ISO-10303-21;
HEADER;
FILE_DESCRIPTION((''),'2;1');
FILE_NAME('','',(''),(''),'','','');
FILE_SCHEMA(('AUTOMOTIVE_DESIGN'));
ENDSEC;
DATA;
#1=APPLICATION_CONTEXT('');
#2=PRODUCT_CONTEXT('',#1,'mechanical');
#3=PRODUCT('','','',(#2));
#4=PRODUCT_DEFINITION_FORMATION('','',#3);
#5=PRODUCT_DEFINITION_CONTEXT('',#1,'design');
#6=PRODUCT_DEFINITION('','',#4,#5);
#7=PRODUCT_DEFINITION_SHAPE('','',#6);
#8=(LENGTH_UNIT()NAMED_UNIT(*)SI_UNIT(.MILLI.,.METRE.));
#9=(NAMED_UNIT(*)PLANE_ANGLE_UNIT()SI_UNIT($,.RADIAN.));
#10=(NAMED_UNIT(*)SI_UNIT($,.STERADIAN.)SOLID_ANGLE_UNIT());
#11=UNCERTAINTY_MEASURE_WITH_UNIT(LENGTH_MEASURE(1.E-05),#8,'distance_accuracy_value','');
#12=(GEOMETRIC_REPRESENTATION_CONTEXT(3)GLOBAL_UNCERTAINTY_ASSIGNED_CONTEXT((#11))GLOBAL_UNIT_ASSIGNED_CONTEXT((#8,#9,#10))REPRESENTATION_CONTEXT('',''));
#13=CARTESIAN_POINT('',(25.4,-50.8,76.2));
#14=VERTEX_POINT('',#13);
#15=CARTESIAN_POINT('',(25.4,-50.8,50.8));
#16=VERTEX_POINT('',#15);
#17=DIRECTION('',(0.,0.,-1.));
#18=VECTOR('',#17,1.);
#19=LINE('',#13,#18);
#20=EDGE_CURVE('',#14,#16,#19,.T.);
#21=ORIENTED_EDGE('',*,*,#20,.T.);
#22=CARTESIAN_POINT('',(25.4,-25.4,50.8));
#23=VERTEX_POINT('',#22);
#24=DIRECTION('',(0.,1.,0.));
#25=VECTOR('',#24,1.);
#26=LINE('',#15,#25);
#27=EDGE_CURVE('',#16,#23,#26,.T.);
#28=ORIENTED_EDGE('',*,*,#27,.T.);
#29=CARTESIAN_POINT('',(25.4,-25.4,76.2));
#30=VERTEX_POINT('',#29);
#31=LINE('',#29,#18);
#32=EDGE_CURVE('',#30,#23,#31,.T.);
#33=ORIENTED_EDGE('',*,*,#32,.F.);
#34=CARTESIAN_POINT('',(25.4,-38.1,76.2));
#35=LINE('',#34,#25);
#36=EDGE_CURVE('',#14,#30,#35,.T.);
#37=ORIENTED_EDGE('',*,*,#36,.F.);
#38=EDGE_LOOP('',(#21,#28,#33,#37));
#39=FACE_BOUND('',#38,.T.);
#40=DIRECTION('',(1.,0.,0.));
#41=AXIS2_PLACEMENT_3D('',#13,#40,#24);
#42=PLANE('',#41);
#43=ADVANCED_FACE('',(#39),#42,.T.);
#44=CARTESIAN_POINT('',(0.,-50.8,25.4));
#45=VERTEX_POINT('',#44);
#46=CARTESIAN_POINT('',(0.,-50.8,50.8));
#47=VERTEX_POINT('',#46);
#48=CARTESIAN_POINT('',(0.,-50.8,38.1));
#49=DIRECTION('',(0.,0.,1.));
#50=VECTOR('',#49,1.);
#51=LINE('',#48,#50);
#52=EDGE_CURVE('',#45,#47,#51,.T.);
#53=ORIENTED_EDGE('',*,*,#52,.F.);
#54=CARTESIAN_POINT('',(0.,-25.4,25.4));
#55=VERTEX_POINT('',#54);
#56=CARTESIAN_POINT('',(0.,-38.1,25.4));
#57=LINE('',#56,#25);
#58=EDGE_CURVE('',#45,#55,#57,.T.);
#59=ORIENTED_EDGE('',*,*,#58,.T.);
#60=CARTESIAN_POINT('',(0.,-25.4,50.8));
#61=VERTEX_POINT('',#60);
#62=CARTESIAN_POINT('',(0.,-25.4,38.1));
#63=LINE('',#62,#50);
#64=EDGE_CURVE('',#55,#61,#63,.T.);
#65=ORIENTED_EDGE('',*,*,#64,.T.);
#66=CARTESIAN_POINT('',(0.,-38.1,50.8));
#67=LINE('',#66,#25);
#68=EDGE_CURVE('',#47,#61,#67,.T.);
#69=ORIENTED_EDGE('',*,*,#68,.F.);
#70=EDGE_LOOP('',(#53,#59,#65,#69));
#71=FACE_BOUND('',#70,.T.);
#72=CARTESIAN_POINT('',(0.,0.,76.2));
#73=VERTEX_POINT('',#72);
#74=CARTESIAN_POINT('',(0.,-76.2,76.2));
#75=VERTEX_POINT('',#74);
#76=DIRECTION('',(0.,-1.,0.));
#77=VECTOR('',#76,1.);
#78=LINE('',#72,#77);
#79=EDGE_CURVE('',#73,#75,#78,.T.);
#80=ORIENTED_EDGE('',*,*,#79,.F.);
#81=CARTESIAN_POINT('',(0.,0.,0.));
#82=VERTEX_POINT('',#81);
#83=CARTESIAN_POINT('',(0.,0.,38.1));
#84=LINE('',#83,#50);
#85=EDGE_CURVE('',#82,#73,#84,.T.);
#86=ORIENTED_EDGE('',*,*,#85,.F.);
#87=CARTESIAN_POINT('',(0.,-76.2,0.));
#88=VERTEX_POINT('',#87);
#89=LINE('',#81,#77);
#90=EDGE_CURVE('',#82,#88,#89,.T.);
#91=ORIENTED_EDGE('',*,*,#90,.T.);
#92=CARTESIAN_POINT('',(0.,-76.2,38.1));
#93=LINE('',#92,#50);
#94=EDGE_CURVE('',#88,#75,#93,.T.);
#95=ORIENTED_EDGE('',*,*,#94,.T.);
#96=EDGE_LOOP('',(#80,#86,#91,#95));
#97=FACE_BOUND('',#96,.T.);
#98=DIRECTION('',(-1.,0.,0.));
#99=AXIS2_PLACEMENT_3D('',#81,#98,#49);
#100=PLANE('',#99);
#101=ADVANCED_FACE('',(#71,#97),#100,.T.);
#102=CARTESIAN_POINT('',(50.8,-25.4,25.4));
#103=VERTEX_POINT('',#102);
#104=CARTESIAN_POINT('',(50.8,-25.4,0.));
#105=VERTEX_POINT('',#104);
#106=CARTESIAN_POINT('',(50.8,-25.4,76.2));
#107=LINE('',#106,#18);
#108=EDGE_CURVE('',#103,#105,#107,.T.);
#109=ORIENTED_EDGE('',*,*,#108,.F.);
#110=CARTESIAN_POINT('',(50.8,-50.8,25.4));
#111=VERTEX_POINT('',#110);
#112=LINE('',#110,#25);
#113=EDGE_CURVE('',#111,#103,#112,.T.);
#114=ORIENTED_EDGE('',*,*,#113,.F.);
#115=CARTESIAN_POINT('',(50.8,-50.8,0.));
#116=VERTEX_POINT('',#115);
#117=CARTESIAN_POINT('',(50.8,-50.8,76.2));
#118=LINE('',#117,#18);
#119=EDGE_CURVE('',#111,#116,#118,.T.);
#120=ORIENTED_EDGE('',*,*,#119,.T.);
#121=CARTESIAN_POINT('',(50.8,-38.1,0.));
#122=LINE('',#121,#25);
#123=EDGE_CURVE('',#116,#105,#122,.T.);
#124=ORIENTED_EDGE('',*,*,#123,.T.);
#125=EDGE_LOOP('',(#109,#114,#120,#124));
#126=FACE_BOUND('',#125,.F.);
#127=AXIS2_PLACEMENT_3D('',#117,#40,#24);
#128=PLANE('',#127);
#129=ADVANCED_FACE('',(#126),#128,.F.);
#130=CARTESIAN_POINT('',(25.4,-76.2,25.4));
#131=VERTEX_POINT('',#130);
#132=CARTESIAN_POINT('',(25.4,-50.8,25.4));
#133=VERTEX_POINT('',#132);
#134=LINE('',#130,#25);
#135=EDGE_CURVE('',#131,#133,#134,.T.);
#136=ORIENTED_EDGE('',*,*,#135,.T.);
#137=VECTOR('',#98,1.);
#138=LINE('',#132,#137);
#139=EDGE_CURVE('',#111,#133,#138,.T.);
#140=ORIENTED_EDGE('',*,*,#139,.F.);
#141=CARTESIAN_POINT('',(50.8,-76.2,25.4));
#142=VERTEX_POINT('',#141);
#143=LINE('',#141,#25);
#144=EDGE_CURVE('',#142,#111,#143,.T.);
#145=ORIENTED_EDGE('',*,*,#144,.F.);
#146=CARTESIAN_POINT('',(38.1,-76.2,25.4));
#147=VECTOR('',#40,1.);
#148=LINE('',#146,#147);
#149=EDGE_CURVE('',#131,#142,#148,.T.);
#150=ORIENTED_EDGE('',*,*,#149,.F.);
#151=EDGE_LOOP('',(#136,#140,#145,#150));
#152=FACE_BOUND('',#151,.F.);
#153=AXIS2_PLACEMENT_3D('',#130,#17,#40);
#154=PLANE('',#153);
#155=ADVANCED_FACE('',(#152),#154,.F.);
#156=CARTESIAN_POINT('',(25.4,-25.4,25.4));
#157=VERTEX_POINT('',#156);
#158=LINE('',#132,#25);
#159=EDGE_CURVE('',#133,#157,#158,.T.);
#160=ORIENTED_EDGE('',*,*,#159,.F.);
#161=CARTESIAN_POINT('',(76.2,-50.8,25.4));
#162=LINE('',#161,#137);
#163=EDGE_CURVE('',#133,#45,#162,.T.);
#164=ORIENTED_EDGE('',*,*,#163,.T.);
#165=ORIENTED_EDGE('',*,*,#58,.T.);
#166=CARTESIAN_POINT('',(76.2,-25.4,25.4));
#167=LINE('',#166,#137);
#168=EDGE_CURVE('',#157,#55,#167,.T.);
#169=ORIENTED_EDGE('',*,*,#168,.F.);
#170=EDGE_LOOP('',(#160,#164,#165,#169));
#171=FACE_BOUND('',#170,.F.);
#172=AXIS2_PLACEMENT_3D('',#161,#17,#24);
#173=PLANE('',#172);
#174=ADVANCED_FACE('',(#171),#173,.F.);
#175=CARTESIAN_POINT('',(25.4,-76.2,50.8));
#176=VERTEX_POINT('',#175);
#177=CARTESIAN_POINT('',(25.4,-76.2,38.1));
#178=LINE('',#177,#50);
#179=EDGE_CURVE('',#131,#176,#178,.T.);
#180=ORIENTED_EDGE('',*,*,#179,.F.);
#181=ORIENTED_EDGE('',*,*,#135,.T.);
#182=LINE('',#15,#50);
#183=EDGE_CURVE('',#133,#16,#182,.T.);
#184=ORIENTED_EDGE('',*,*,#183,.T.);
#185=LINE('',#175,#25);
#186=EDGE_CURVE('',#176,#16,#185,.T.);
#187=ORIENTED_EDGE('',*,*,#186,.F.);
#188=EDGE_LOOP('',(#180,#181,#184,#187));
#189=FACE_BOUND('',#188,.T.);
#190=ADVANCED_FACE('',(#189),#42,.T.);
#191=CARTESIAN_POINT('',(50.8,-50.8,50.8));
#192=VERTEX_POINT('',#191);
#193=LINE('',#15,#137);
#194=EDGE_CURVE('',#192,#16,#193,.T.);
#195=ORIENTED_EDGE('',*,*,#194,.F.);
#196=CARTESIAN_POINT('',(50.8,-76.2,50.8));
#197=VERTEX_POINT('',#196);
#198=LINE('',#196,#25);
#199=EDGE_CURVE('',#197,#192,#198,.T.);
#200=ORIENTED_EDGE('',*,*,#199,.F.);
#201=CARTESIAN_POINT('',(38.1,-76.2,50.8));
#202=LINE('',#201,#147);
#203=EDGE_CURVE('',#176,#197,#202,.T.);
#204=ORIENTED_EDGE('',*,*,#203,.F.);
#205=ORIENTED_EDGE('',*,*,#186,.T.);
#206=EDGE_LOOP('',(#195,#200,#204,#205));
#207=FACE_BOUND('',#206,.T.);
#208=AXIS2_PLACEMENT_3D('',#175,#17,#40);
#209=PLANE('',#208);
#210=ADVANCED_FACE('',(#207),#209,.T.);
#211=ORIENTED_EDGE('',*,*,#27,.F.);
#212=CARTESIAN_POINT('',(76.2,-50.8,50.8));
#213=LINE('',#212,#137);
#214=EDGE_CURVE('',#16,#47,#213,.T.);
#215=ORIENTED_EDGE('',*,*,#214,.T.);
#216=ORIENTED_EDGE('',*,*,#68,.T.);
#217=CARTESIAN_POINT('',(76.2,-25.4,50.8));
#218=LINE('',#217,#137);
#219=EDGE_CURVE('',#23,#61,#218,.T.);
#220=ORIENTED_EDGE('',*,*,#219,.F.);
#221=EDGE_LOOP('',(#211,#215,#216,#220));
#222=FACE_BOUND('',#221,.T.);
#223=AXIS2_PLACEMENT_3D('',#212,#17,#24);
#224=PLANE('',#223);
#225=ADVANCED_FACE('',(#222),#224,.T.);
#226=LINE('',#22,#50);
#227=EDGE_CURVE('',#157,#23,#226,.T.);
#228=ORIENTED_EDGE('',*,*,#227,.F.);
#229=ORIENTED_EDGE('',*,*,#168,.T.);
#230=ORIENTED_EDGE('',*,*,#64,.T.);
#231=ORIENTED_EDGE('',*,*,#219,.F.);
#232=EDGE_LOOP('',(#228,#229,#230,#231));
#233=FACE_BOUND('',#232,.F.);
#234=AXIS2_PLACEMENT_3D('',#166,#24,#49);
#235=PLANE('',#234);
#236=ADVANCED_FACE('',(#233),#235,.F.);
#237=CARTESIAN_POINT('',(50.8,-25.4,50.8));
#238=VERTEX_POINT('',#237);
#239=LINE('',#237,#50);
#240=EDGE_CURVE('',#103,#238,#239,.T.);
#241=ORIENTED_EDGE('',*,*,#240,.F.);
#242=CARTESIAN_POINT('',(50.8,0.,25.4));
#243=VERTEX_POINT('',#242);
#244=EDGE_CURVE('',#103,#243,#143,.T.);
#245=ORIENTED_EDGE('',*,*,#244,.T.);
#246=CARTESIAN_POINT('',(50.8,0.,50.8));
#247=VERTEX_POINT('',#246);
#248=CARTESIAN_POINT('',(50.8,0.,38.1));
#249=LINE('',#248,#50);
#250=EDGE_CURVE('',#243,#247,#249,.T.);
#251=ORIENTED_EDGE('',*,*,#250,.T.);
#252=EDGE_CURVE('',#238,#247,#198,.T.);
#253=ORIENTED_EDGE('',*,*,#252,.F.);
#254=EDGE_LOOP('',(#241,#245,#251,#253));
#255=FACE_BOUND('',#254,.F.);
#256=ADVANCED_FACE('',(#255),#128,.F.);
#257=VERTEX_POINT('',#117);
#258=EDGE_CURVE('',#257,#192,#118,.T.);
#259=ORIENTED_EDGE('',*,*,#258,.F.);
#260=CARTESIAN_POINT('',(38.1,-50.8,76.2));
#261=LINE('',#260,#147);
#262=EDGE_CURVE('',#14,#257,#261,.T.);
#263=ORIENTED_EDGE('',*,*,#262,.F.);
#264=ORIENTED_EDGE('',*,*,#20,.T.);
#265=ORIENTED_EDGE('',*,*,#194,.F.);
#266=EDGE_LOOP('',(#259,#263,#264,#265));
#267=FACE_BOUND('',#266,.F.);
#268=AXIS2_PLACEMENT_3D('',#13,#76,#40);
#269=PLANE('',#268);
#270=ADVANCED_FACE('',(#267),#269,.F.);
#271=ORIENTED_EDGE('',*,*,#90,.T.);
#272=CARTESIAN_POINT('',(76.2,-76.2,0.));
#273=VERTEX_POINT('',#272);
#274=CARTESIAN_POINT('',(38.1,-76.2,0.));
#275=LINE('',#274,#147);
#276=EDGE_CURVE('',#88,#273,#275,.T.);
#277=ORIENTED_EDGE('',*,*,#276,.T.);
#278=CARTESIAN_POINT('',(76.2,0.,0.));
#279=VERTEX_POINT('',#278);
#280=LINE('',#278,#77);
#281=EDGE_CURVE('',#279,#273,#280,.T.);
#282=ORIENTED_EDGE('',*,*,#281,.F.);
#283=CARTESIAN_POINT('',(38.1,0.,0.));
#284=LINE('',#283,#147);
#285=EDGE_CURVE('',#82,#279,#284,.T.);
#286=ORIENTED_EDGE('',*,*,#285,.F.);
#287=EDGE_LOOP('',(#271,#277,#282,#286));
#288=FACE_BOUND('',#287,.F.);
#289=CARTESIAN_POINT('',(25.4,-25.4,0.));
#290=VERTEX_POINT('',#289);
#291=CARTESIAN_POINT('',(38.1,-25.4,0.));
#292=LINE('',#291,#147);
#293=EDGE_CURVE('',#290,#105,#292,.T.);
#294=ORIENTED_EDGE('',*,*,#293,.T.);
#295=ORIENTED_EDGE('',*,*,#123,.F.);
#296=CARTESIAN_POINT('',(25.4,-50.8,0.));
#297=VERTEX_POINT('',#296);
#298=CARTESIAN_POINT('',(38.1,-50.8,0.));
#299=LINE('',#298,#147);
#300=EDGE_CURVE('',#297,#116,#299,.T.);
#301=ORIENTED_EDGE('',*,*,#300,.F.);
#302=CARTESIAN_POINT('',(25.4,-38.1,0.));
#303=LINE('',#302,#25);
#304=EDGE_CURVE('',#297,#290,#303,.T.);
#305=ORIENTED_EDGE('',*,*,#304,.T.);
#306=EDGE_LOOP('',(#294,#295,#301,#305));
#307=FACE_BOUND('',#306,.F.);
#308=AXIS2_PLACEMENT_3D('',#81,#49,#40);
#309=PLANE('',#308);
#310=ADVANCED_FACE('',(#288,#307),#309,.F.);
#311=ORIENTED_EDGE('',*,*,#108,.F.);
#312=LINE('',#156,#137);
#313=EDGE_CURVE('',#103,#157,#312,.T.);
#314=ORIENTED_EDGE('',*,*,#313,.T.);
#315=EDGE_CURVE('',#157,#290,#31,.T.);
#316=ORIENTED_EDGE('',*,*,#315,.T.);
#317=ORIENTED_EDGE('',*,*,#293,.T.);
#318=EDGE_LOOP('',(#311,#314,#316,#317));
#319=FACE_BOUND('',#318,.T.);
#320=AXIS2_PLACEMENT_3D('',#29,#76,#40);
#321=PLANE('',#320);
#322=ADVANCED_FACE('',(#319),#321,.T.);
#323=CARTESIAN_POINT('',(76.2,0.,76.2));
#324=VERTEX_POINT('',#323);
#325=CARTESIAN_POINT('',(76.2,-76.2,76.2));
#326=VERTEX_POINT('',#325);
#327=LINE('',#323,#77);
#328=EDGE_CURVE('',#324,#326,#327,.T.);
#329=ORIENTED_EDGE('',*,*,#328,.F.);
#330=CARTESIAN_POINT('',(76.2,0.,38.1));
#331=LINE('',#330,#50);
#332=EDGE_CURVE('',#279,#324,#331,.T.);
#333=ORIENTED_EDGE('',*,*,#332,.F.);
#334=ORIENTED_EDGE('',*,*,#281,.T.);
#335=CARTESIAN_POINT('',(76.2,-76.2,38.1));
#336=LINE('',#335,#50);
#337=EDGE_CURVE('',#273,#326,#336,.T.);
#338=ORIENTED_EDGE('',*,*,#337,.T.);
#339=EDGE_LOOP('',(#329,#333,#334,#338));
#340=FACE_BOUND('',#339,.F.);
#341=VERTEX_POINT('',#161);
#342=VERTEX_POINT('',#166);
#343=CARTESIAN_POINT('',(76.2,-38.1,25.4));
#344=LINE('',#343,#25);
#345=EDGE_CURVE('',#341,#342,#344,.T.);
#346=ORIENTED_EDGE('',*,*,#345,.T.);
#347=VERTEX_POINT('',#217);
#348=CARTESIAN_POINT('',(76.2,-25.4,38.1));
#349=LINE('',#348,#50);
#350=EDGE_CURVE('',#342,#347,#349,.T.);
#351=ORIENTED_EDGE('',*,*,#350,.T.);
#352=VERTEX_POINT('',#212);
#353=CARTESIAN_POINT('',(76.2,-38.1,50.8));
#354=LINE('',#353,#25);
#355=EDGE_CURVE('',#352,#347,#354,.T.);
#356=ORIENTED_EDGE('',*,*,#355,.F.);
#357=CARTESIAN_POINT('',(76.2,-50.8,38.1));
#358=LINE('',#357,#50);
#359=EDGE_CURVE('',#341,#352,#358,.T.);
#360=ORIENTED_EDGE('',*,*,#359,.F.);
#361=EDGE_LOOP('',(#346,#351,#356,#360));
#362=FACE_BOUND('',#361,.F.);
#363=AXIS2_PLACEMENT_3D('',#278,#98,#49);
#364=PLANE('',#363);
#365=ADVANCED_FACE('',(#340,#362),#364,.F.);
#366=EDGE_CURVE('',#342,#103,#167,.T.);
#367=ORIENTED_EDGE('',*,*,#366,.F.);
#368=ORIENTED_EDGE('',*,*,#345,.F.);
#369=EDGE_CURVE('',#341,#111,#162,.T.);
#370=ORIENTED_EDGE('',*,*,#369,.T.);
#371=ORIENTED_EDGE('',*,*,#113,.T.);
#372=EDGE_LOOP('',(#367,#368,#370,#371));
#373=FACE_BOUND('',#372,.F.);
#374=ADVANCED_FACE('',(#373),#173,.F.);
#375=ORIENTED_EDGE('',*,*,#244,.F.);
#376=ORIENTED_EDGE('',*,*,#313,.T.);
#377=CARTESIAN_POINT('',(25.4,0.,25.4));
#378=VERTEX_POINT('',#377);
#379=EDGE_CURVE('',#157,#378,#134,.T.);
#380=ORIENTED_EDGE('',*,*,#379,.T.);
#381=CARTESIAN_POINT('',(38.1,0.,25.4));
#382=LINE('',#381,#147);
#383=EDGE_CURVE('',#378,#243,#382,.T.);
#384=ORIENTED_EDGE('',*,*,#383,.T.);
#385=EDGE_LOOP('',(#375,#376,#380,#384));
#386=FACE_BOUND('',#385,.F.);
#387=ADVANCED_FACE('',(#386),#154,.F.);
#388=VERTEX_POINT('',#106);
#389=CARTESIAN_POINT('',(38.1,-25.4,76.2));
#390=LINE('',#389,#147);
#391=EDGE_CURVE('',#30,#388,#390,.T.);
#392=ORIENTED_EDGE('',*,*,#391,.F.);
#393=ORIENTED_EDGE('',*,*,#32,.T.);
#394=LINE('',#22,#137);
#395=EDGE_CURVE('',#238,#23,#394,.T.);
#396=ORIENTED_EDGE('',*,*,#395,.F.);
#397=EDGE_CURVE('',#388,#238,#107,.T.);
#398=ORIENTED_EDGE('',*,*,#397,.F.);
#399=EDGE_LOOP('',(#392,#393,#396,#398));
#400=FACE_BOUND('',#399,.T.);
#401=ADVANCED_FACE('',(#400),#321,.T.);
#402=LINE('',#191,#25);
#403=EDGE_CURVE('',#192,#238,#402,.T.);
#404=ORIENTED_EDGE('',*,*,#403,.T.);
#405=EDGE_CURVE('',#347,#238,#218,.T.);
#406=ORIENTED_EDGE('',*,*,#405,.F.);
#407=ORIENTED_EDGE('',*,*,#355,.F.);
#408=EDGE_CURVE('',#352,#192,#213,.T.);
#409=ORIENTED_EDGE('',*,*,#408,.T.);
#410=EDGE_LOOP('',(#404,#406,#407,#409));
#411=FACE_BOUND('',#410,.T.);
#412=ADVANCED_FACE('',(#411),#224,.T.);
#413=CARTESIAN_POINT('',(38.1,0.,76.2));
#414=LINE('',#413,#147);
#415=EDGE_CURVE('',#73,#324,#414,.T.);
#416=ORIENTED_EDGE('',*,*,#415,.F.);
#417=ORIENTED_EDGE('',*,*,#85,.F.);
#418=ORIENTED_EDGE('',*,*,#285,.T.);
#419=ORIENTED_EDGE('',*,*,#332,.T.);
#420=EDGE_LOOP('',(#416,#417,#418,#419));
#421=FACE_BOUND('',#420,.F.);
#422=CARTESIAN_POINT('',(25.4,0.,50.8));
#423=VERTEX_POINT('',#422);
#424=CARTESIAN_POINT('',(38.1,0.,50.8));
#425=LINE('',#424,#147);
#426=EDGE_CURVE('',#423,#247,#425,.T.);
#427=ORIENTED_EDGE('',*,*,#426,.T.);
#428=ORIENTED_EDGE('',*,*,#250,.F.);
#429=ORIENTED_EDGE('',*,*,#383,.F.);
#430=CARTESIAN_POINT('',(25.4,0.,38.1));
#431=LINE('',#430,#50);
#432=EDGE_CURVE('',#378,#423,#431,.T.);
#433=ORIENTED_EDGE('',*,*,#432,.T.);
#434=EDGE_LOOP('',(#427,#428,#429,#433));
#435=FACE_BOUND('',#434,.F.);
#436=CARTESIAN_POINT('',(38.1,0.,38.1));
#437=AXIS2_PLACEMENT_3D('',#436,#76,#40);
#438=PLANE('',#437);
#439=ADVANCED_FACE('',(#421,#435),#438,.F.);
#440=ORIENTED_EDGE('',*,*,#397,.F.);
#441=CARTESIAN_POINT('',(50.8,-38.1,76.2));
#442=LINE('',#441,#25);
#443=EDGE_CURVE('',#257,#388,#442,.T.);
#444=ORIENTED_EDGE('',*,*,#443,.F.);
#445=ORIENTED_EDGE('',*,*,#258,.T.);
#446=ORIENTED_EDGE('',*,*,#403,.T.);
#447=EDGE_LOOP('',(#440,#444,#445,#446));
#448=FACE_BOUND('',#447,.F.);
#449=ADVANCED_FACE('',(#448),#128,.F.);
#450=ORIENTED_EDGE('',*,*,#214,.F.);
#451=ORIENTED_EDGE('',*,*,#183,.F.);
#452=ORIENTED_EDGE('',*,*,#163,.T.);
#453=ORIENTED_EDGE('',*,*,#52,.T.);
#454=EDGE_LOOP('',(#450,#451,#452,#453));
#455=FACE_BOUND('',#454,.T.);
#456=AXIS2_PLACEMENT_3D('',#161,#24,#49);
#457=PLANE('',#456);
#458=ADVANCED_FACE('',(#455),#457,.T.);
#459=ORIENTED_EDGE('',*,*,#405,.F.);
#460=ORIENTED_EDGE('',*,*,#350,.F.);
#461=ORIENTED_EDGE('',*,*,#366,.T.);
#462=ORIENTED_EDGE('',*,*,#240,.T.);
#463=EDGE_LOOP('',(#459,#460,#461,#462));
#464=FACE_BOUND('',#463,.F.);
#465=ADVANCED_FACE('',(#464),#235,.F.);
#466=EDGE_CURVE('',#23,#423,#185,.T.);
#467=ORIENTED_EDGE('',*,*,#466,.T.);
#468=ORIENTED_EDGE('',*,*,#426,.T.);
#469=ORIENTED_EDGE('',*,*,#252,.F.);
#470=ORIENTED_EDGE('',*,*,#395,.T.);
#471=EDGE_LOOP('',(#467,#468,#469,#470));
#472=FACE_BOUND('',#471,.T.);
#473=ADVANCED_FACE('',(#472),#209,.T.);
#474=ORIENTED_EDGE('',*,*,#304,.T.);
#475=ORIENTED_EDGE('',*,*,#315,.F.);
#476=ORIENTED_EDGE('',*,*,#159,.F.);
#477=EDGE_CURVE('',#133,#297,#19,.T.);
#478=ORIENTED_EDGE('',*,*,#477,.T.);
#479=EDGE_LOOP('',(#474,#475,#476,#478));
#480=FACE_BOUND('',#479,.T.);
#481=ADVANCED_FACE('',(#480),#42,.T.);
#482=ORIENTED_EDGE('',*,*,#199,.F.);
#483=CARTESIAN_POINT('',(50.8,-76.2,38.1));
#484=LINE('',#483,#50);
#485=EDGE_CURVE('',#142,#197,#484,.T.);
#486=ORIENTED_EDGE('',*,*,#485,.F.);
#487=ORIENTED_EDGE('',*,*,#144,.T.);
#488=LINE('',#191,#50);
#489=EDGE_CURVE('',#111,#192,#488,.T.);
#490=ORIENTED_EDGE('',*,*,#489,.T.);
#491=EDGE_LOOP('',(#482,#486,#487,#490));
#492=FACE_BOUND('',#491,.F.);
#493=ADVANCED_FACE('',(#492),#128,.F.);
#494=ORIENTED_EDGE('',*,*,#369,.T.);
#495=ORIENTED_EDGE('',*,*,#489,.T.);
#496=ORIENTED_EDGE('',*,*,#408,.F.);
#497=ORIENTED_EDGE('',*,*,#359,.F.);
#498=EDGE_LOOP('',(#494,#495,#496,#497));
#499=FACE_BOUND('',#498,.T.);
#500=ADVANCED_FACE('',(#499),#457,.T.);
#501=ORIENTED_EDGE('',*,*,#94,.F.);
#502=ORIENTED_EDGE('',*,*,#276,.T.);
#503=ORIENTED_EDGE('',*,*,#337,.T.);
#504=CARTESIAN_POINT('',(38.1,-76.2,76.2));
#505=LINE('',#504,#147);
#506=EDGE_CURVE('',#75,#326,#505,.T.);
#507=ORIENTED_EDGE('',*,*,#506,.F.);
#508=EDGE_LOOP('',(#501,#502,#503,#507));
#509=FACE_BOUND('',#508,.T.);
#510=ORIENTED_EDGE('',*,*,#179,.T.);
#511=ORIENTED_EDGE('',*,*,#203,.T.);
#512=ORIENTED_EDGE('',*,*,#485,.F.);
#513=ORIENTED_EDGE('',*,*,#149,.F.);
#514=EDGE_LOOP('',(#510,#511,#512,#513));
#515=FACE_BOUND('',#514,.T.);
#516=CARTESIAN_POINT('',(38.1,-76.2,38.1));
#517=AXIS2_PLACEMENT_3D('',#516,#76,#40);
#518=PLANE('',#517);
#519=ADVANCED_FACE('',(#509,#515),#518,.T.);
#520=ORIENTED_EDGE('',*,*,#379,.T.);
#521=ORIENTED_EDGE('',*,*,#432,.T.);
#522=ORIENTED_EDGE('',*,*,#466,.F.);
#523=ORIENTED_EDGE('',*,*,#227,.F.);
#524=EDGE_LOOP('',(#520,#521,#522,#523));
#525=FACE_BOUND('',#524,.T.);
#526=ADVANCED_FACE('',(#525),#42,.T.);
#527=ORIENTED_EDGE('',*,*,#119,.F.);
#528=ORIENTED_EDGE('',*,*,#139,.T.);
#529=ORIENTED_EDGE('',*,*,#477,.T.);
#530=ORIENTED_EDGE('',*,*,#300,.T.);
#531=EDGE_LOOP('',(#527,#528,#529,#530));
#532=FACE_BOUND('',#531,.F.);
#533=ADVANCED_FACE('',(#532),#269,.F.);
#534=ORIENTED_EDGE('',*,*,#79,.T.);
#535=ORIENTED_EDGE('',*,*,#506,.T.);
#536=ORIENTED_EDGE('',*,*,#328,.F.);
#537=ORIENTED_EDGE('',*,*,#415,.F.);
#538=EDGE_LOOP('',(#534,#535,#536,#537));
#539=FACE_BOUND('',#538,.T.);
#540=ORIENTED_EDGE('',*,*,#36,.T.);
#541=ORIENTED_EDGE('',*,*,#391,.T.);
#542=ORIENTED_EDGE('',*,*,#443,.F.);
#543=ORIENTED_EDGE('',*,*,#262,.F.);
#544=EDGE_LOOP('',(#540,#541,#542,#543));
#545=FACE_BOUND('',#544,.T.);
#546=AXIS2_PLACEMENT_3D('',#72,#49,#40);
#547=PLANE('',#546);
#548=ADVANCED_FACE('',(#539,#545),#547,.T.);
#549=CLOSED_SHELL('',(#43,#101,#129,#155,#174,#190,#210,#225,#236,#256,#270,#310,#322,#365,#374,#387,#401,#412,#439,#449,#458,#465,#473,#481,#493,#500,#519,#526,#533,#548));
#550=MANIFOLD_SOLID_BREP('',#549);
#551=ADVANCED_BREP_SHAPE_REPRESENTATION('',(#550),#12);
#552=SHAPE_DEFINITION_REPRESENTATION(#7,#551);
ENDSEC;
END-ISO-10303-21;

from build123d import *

# Parameters (mm, degrees)
F0_W     = 76.2
F0_H     = 76.2
F1_DEPTH = 76.2
F2_W     = 25.4
F2_H     = 25.4
F3_DEPTH = 76.2
F4_W     = 25.4
F4_H     = 25.4
F5_DEPTH = 76.2
F6_W     = 25.4
F6_H     = 25.4
F7_DEPTH = 76.2


with BuildPart() as f1:
    # F0 (on Front) → F1 (new body)
    with BuildSketch(Plane.XZ):
        with Locations((38.1, 38.1)):
            Rectangle(F0_W, F0_H)
    extrude(amount=F1_DEPTH)

    # F2 (on face) → F3 (cut)
    with BuildSketch(Plane.XZ.offset(76.2)):
        with Locations((38.1, 38.1)):
            Rectangle(F2_W, F2_H)
    extrude(amount=-F3_DEPTH, mode=Mode.SUBTRACT)

    # F4 (on face) → F5 (cut)
    with BuildSketch(Plane.XY.offset(76.2)):
        with Locations((38.1, -38.1)):
            Rectangle(F4_W, F4_H)
    extrude(amount=-F5_DEPTH, mode=Mode.SUBTRACT)

    # F6 (on face) → F7 (cut)
    with BuildSketch(Plane.YZ.offset(76.2)):
        with Locations((-38.1, 38.1)):
            Rectangle(F6_W, F6_H)
    extrude(amount=-F7_DEPTH, mode=Mode.SUBTRACT)


solid = f1.part
